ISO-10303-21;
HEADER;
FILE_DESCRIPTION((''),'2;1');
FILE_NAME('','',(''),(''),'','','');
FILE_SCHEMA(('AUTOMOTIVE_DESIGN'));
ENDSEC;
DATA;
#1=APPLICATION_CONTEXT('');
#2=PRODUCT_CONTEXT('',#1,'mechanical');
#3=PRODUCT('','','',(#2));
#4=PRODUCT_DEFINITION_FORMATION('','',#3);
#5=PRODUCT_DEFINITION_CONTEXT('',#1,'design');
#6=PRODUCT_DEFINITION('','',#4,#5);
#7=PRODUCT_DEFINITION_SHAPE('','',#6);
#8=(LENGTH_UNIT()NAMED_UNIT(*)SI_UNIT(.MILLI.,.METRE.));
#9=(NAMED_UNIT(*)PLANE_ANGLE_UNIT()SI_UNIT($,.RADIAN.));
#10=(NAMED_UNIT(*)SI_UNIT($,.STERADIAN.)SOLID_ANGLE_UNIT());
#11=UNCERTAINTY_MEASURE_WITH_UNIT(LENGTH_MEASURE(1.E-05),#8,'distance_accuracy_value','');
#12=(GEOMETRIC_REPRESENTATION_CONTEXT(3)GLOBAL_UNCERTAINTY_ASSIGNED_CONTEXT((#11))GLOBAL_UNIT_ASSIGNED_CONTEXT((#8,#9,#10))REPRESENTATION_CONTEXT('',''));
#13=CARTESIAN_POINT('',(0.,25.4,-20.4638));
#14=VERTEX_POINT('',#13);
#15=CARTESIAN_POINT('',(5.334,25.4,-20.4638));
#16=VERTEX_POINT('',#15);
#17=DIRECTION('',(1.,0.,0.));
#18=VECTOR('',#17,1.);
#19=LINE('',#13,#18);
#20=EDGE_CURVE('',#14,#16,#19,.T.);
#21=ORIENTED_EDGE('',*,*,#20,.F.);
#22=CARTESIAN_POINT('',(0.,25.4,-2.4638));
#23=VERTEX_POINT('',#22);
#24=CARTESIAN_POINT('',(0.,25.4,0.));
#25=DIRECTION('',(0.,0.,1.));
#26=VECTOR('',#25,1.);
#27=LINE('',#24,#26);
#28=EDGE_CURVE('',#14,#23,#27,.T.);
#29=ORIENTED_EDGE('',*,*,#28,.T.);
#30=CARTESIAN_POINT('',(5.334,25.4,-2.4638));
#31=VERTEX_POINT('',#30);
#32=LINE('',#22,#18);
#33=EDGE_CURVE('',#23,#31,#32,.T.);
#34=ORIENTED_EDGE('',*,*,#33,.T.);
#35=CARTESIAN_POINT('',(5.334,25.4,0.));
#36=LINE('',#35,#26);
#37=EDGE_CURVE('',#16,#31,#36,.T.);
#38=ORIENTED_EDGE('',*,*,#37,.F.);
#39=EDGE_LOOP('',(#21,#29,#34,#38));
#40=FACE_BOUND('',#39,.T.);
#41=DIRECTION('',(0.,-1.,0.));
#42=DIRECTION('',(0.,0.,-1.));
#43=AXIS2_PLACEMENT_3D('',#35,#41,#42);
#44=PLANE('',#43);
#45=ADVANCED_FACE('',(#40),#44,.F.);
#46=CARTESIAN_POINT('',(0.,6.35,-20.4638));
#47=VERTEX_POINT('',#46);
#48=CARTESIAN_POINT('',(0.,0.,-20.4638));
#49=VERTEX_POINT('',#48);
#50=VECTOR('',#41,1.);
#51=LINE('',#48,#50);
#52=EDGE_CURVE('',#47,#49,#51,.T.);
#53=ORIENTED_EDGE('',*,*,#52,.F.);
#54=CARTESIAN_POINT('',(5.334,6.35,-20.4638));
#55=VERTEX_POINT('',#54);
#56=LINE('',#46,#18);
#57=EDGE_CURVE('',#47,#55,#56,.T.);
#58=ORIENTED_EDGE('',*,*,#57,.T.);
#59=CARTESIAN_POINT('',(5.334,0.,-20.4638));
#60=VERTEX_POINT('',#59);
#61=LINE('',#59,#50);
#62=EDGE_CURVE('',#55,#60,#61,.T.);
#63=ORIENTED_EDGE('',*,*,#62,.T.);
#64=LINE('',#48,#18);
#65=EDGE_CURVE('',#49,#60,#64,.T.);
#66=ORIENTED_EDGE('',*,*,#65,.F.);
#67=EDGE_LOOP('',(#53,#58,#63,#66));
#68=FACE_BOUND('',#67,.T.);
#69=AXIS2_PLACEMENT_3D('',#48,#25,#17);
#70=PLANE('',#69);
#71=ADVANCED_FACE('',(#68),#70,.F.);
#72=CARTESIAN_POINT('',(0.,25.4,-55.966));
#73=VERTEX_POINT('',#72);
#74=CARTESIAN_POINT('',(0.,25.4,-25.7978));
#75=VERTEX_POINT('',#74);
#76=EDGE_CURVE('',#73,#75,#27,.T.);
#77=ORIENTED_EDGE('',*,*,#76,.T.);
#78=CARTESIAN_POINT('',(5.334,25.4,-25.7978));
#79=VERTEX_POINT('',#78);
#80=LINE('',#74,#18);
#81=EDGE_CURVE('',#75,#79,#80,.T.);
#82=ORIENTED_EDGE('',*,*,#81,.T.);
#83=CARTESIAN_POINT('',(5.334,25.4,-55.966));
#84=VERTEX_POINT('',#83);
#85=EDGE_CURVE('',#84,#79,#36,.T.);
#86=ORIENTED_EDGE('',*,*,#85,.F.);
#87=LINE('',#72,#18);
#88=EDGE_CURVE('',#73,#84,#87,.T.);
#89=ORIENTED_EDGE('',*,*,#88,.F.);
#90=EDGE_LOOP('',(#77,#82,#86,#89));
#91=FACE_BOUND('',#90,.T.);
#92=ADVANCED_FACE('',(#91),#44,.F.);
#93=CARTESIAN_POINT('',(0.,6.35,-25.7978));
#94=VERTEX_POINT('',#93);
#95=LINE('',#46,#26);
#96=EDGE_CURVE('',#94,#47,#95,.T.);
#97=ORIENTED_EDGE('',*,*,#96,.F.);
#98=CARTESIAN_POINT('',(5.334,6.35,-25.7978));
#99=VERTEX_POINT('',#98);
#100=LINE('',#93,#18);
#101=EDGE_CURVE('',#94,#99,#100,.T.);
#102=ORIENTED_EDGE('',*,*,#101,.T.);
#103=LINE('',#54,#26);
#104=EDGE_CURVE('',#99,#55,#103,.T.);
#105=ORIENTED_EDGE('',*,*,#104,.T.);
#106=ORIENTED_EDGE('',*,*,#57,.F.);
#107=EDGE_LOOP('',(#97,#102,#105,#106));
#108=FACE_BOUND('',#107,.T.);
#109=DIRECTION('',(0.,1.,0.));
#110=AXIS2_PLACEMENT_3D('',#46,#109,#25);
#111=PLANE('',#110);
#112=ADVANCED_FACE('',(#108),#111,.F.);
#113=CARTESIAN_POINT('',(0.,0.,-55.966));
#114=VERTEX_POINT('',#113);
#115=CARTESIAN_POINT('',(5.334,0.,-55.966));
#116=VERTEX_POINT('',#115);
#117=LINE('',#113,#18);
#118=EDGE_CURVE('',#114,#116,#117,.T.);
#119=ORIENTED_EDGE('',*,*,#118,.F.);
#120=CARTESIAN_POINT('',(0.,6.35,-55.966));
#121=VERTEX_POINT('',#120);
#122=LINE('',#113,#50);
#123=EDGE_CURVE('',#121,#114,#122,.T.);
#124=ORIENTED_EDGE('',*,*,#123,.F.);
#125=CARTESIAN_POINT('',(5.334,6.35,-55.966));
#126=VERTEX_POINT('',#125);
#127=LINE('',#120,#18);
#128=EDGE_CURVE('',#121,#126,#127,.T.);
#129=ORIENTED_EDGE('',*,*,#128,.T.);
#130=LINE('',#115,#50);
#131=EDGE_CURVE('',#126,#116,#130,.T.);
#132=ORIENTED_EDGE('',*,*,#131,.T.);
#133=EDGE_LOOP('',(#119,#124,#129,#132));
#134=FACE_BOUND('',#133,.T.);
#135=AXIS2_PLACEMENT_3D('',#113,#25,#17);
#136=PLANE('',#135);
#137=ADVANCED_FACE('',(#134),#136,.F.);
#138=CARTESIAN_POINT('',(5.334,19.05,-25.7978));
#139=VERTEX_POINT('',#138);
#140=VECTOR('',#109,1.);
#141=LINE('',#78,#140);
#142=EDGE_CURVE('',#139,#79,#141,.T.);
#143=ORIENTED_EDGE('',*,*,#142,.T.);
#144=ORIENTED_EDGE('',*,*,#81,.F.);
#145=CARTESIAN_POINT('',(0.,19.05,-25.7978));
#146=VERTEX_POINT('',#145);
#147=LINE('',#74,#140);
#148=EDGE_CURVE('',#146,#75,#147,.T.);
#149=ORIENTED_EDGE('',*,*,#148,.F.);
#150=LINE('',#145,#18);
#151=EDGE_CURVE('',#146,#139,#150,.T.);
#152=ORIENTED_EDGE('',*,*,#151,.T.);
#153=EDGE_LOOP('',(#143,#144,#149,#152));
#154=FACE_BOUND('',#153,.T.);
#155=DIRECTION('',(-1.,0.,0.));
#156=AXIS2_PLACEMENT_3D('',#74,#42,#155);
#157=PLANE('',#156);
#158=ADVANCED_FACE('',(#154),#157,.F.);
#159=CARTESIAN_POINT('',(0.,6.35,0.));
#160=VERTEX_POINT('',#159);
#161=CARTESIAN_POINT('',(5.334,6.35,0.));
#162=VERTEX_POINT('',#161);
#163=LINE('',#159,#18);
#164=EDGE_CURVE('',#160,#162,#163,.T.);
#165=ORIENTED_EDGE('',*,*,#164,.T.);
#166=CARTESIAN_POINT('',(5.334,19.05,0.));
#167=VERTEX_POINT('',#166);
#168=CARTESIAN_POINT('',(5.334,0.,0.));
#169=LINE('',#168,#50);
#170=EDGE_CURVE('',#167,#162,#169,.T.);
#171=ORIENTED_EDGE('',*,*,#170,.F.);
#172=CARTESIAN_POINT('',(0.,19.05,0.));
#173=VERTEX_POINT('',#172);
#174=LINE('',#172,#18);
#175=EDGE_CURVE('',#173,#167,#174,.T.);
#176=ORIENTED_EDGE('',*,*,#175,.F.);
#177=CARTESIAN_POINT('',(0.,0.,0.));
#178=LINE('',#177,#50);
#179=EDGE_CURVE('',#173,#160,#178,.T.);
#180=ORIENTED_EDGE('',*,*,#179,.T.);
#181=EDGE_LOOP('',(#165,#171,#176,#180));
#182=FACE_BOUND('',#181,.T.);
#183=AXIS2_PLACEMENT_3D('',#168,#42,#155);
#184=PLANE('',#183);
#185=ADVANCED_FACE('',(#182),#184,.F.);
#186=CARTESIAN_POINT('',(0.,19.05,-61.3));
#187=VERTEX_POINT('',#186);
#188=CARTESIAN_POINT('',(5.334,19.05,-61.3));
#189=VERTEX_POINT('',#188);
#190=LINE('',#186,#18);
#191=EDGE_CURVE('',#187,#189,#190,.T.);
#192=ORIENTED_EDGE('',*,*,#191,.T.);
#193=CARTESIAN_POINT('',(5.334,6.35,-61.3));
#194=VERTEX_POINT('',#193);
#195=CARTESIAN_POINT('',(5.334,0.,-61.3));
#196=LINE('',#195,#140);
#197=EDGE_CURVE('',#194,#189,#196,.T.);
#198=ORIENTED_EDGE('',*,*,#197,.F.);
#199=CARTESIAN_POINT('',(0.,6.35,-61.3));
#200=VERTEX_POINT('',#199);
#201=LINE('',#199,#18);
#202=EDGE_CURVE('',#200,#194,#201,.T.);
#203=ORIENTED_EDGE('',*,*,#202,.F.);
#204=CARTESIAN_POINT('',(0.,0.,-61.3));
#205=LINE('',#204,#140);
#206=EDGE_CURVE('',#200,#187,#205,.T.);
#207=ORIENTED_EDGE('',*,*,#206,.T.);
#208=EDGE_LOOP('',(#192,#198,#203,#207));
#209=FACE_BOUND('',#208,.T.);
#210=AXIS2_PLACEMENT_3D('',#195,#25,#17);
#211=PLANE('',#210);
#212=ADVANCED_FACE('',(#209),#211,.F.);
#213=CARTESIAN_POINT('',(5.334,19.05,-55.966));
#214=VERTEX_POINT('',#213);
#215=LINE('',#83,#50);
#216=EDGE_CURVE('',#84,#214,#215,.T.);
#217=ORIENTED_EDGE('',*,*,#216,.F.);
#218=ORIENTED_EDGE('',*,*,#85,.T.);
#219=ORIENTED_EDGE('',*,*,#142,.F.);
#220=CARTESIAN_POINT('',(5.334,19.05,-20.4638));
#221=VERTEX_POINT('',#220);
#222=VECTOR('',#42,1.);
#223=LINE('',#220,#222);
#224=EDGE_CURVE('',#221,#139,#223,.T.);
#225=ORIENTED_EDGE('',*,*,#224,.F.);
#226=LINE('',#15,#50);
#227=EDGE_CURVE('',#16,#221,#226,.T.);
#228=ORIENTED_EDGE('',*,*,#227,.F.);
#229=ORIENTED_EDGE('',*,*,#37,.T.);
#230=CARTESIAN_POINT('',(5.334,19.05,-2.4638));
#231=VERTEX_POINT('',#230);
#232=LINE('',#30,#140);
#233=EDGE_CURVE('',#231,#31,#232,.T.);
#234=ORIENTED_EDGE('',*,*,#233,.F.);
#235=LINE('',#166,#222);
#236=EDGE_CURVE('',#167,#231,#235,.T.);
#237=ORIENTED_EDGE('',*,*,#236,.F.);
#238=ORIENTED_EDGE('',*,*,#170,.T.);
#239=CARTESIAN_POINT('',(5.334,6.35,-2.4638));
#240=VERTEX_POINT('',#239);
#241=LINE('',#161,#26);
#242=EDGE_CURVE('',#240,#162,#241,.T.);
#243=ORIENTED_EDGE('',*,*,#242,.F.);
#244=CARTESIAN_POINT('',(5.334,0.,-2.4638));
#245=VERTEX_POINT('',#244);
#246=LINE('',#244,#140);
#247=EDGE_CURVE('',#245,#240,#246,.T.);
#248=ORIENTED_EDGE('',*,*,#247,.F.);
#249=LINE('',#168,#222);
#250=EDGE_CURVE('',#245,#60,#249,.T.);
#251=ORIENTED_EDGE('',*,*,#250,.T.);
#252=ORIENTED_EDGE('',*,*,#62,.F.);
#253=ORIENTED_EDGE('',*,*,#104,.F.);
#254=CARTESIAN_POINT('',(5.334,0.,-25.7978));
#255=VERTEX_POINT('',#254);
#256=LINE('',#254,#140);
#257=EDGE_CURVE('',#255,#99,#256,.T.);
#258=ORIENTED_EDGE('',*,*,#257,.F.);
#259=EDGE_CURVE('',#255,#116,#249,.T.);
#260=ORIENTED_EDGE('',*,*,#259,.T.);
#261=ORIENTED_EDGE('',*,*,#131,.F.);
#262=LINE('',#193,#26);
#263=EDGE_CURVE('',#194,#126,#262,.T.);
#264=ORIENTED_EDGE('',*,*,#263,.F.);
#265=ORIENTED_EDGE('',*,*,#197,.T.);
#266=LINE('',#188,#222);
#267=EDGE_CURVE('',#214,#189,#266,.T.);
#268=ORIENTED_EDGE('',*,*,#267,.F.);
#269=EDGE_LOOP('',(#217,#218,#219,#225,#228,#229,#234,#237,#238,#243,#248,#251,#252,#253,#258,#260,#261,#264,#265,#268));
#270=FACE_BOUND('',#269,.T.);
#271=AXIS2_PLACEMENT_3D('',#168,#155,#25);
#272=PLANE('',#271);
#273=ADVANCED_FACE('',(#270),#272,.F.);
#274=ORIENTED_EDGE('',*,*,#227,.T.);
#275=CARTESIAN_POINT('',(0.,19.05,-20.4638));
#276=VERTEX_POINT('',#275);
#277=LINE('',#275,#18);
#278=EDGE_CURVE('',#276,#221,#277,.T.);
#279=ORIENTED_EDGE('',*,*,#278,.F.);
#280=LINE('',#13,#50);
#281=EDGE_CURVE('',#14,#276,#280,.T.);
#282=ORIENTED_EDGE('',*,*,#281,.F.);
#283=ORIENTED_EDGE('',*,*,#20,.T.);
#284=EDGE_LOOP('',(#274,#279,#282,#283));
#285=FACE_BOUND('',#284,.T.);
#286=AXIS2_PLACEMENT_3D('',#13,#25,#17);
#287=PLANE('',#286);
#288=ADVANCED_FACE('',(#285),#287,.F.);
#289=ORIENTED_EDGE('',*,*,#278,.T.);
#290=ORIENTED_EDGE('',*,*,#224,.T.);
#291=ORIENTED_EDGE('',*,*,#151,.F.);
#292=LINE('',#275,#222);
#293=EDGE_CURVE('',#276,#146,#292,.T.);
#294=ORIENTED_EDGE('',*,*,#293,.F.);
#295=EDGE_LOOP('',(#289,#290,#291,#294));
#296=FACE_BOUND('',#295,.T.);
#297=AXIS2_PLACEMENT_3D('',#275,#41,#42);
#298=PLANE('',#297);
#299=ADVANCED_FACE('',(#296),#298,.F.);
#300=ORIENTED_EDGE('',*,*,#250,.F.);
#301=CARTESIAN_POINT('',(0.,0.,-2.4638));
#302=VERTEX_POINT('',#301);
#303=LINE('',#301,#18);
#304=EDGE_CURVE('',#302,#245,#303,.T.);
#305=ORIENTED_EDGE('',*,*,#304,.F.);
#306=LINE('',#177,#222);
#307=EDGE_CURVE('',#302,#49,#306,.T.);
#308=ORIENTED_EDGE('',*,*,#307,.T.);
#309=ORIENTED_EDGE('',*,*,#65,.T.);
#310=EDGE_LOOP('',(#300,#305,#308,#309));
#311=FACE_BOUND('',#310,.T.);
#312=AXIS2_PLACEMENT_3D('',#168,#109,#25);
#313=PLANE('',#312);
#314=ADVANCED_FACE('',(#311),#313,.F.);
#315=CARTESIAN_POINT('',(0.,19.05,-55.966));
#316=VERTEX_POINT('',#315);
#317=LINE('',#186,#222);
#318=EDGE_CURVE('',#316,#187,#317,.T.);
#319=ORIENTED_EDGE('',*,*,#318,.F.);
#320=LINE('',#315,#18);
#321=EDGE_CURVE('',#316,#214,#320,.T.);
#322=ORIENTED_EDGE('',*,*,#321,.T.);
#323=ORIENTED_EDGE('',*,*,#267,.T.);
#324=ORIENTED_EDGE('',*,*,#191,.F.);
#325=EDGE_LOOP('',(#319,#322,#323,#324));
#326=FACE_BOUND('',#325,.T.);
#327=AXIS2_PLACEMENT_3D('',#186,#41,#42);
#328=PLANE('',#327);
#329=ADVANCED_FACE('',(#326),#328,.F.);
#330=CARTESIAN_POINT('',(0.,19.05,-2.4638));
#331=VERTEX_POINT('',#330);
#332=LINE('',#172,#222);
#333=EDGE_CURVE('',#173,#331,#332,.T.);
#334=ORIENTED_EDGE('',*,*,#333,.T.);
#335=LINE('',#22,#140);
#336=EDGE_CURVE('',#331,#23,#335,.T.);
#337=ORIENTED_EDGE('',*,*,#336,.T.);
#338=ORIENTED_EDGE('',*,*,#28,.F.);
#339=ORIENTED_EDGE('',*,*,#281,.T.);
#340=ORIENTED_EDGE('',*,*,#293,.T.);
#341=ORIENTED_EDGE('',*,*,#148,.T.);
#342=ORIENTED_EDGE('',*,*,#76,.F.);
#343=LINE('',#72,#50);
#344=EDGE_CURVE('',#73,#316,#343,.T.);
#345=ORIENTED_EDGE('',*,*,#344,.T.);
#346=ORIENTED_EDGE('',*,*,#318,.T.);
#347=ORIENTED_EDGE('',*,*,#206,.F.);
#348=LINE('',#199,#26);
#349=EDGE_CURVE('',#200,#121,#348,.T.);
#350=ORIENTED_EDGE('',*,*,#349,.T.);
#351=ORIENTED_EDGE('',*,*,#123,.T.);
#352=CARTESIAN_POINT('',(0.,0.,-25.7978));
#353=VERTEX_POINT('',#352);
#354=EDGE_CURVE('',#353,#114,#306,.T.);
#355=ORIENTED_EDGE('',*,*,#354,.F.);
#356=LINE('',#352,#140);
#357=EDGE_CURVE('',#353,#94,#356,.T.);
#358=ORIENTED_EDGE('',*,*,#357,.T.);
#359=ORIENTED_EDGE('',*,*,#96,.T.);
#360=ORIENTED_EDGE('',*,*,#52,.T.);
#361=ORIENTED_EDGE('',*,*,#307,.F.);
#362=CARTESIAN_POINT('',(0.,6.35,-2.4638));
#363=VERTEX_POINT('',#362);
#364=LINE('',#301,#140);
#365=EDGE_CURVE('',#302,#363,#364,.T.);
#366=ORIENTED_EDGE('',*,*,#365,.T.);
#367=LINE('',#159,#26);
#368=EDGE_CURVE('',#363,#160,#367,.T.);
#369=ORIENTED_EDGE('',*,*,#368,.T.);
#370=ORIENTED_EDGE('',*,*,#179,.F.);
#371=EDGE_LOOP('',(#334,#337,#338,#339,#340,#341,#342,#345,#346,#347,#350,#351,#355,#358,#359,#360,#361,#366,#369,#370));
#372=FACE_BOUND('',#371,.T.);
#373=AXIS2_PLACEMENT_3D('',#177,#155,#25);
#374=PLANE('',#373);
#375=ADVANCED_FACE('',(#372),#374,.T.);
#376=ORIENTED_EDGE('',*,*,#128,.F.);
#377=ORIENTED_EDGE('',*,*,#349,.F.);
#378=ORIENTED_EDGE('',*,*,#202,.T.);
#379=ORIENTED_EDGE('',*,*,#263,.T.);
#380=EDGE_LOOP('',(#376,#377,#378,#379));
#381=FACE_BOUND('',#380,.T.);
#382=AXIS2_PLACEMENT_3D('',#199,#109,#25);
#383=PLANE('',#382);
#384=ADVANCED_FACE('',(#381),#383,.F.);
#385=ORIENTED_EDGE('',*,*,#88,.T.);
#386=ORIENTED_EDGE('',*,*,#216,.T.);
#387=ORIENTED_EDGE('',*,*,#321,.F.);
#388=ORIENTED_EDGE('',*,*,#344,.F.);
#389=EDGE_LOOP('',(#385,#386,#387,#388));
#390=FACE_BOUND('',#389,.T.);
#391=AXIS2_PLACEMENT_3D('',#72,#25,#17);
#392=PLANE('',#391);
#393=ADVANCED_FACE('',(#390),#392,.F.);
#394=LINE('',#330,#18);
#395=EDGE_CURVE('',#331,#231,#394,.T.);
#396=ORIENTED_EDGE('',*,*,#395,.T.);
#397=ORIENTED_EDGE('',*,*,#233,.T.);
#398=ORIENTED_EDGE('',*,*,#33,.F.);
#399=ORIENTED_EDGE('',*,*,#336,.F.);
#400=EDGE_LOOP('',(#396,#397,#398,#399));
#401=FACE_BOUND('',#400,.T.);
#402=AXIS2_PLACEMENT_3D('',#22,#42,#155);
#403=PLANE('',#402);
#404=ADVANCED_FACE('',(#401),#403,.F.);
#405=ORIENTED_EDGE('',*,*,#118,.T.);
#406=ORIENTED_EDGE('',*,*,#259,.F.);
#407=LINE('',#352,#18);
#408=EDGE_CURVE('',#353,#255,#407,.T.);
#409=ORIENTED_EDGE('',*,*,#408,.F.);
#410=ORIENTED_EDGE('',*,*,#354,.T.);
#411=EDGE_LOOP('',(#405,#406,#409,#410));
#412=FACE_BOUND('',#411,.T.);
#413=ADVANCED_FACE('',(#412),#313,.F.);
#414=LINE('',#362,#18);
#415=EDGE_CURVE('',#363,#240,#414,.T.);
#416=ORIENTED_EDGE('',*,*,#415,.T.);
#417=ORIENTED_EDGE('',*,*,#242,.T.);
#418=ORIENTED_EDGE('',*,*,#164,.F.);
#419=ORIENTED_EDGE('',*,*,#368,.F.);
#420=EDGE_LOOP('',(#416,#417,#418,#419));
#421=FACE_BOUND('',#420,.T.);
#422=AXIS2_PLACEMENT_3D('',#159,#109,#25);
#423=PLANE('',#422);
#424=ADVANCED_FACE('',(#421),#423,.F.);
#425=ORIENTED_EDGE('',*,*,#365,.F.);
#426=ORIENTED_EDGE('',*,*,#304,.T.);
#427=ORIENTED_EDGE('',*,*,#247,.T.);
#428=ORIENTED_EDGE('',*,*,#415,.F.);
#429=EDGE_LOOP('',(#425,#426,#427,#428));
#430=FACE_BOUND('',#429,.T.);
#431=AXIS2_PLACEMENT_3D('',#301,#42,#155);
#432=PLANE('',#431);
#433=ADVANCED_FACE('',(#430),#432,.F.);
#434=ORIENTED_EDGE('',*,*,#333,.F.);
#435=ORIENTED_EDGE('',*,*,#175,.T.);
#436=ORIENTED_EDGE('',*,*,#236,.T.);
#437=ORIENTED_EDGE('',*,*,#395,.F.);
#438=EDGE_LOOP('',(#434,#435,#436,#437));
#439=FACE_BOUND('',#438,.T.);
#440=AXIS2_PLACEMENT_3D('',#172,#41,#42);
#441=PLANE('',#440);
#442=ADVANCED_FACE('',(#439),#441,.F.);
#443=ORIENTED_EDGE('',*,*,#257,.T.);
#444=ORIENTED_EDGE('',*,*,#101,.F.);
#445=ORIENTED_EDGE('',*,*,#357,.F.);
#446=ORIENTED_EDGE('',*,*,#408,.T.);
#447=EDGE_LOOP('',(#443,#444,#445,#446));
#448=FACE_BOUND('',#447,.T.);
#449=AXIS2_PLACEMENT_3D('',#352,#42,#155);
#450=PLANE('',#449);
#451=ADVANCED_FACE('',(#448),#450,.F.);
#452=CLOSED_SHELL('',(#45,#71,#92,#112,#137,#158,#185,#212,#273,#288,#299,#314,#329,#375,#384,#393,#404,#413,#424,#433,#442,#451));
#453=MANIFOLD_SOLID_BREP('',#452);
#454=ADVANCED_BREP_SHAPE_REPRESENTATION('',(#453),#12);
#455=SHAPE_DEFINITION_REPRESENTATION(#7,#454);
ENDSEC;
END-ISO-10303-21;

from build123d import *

# Parameters (mm, degrees)
SKETCH1_W           = 61.3
SKETCH1_H           = 25.4
BOSS_EXTRUDE1_DEPTH = 5.334
SKETCH2_W           = 2.4638
SKETCH2_H           = 6.35
SKETCH2_W_2         = 5.334
CUT_EXTRUDE1_DEPTH  = 67.568022023


with BuildPart() as part:
    # Sketch1 → Boss-Extrude1 (new body)
    with BuildSketch(Plane(origin=(0, 0, 0), x_dir=(0, 0, -1), z_dir=(1, 0, 0))):
        with Locations((30.65, 12.7)):
            Rectangle(SKETCH1_W, SKETCH1_H)
    extrude(amount=BOSS_EXTRUDE1_DEPTH)

    # Sketch2 → Cut-Extrude1 (cut, through all)
    with BuildSketch(Plane(origin=(5.334, 0, 0), x_dir=(0, 0, -1), z_dir=(1, 0, 0))):
        with Locations((1.2319, 22.225)):
            Rectangle(SKETCH2_W, SKETCH2_H)
        with Locations((1.2319, 3.175)):
            Rectangle(SKETCH2_W, SKETCH2_H)
        with Locations((23.1308, 22.225)):
            Rectangle(SKETCH2_W_2, SKETCH2_H)
        with Locations((23.1308, 3.175)):
            Rectangle(SKETCH2_W_2, SKETCH2_H)
        with Locations((58.633, 3.175)):
            Rectangle(SKETCH2_W_2, SKETCH2_H)
        with Locations((58.633, 22.225)):
            Rectangle(SKETCH2_W_2, SKETCH2_H)
    extrude(amount=-CUT_EXTRUDE1_DEPTH, mode=Mode.SUBTRACT)


solid = part.part
